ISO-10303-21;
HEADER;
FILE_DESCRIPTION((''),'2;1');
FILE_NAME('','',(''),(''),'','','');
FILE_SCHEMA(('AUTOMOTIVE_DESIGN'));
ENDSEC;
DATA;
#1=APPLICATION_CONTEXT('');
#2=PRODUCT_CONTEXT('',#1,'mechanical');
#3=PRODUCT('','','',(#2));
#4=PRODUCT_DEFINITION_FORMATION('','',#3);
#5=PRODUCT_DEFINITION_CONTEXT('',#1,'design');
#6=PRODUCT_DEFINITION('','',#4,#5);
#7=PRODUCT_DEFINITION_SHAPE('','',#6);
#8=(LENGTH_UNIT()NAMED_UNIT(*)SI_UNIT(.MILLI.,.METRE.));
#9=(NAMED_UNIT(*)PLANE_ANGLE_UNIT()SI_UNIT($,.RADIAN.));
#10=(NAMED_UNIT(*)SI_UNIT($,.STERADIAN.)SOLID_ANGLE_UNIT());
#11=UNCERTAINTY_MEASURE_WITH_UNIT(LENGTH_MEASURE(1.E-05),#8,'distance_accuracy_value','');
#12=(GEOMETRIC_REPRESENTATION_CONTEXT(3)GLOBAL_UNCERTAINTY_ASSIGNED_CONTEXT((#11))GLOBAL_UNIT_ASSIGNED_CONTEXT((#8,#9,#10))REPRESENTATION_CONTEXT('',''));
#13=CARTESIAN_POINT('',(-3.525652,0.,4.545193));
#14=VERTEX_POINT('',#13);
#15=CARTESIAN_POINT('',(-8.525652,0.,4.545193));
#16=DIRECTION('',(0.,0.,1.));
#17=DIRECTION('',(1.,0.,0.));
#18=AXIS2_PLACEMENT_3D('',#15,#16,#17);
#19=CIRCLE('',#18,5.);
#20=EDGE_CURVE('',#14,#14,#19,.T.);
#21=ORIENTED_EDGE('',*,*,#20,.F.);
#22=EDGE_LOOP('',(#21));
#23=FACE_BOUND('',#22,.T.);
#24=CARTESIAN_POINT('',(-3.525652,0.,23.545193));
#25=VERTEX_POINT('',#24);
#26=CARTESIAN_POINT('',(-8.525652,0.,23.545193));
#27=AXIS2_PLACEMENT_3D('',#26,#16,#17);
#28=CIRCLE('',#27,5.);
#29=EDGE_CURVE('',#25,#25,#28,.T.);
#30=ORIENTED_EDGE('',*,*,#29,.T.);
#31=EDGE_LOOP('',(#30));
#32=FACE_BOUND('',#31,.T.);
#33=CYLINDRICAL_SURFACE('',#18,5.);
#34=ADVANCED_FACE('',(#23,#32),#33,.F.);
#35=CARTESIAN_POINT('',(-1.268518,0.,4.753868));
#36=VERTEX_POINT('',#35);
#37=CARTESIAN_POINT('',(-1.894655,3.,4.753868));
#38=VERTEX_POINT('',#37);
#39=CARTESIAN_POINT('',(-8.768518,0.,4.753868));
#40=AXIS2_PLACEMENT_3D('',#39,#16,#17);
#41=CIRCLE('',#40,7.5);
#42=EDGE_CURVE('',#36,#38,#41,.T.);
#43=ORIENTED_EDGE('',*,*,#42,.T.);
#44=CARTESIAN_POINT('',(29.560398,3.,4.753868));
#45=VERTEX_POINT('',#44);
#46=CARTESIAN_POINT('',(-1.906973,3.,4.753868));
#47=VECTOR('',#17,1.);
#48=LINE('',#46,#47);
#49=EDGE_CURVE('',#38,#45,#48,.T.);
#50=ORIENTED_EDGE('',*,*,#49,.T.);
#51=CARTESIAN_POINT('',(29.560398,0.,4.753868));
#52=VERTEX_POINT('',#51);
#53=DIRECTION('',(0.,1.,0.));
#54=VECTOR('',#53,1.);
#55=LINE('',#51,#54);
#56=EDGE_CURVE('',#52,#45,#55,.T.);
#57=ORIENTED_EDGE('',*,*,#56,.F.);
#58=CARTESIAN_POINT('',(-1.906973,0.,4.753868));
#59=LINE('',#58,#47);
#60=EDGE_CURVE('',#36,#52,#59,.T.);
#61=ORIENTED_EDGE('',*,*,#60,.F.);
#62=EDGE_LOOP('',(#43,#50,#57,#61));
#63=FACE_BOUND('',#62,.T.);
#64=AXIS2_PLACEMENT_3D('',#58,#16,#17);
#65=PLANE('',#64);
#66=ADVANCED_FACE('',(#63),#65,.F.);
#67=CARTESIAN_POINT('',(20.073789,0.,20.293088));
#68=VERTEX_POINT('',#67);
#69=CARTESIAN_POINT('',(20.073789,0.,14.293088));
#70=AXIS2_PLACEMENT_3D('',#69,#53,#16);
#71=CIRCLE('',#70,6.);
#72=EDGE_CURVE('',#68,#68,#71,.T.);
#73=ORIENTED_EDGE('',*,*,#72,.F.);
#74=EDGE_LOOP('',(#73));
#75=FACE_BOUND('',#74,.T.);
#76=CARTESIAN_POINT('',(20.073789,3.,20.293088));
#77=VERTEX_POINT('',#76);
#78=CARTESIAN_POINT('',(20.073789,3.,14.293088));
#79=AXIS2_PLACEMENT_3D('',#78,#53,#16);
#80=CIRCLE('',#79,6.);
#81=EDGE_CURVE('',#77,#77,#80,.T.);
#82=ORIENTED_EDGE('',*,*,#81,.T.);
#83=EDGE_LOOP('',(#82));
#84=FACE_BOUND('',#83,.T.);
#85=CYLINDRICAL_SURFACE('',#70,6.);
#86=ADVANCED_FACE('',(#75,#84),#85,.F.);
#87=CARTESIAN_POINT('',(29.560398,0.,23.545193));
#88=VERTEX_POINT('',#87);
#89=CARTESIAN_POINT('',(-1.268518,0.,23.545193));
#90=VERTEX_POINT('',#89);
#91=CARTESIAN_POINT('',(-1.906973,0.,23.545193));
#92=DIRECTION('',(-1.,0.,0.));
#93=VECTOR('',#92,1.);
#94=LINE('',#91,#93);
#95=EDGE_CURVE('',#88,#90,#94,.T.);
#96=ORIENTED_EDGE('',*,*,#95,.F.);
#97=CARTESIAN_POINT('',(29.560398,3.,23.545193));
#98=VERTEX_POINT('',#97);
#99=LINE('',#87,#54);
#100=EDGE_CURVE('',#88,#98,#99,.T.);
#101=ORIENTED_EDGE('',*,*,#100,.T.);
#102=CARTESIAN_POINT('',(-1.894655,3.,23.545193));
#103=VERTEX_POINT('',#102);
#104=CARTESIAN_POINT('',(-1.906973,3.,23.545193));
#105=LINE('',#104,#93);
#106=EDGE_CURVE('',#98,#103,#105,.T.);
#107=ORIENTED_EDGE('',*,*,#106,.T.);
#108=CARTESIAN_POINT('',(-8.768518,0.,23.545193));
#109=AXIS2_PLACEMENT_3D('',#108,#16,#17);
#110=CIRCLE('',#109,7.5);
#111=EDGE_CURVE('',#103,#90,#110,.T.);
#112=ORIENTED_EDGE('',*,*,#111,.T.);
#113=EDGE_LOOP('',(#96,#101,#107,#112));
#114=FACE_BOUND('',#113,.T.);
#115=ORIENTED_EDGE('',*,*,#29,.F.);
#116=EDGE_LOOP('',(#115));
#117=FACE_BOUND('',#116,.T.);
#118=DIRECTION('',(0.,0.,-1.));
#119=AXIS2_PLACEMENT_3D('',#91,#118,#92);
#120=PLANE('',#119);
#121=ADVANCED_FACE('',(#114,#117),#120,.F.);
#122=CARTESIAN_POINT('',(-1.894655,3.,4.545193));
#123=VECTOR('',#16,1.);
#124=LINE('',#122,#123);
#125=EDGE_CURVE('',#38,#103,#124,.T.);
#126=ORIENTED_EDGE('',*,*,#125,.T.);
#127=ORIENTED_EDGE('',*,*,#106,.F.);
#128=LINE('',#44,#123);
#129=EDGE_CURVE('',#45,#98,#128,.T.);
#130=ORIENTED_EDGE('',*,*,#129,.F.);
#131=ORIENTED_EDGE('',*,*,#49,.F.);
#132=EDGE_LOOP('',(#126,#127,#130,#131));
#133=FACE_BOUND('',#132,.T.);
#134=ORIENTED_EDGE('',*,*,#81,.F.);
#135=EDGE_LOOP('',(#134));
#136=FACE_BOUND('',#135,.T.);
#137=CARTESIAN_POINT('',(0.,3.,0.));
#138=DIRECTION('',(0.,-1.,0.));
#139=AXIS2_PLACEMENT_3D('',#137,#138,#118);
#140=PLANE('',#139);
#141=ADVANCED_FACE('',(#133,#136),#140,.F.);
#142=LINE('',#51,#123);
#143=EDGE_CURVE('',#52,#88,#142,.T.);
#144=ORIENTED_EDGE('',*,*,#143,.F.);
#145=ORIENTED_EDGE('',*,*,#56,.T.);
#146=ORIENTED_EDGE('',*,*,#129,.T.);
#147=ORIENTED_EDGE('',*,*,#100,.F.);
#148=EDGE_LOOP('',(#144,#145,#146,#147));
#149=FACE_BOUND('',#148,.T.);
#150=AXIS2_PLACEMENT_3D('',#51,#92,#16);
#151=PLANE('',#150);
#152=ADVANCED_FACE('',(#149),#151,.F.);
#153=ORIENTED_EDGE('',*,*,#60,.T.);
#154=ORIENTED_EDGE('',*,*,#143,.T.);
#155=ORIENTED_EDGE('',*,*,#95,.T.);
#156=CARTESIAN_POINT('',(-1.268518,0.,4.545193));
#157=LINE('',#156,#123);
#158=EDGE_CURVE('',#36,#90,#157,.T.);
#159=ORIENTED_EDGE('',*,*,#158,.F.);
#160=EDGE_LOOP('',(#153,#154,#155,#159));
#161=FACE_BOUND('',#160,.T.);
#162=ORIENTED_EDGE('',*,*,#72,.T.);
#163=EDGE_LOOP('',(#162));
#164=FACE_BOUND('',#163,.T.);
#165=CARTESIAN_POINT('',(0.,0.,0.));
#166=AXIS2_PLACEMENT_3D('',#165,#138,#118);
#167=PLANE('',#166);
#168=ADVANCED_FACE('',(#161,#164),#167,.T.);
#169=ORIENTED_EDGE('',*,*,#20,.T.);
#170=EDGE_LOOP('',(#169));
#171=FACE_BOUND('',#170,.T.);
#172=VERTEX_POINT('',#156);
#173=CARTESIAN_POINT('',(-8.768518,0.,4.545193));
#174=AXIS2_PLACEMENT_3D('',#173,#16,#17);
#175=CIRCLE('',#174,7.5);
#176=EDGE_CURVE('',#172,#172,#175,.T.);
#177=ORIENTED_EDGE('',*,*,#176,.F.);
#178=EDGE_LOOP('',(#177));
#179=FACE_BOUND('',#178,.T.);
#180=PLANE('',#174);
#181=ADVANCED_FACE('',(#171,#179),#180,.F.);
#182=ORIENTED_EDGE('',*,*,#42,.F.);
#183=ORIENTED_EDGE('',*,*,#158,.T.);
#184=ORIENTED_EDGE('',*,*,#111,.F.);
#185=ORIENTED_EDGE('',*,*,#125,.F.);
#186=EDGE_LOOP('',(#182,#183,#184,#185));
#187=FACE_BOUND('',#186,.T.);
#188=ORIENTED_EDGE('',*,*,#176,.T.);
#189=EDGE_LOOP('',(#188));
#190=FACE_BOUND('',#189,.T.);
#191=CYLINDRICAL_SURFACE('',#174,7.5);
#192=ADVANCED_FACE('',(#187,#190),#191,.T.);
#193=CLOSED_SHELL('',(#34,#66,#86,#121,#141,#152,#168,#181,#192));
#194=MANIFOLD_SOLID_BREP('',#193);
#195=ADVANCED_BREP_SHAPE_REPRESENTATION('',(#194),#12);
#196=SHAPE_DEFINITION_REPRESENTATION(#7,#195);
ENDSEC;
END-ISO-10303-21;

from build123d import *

# Parameters (mm, degrees)
F_3DSKETCH1_R       = 6
BOSS_EXTRUDE3_DEPTH = 3
SKETCH3_R           = 7.5
SKETCH3_R_2         = 5
BOSS_EXTRUDE5_DEPTH = 19


with BuildPart() as part:
    # 3DSketch1 → Boss-Extrude3 (new body)
    with BuildSketch(Plane(origin=(-1.906972696, 0, 4.753867784), x_dir=(0.8585635359116023, 0, 0.5127071823204421), z_dir=(0, -1, 0))):
        Polygon((0, 0), (9.634447543, 16.133546855), (36.65118441, 0), (27.016736867, -16.133546855), align=None)
        with Locations(Location((23.762707279, -3.079667236, 0), (0, 0, 59.155677363))):
            Circle(F_3DSKETCH1_R, mode=Mode.SUBTRACT)
    extrude(amount=-BOSS_EXTRUDE3_DEPTH)

    # Sketch3 → Boss-Extrude5 (add)
    with BuildSketch(Plane(origin=(-8.525652269, 0, 23.545193271), x_dir=(1, 0, 0), z_dir=(0, 0, 1))):
        with Locations((-0.242866193, 0)):
            Circle(SKETCH3_R)
        Circle(SKETCH3_R_2, mode=Mode.SUBTRACT)
    extrude(amount=-BOSS_EXTRUDE5_DEPTH)


solid = part.part
